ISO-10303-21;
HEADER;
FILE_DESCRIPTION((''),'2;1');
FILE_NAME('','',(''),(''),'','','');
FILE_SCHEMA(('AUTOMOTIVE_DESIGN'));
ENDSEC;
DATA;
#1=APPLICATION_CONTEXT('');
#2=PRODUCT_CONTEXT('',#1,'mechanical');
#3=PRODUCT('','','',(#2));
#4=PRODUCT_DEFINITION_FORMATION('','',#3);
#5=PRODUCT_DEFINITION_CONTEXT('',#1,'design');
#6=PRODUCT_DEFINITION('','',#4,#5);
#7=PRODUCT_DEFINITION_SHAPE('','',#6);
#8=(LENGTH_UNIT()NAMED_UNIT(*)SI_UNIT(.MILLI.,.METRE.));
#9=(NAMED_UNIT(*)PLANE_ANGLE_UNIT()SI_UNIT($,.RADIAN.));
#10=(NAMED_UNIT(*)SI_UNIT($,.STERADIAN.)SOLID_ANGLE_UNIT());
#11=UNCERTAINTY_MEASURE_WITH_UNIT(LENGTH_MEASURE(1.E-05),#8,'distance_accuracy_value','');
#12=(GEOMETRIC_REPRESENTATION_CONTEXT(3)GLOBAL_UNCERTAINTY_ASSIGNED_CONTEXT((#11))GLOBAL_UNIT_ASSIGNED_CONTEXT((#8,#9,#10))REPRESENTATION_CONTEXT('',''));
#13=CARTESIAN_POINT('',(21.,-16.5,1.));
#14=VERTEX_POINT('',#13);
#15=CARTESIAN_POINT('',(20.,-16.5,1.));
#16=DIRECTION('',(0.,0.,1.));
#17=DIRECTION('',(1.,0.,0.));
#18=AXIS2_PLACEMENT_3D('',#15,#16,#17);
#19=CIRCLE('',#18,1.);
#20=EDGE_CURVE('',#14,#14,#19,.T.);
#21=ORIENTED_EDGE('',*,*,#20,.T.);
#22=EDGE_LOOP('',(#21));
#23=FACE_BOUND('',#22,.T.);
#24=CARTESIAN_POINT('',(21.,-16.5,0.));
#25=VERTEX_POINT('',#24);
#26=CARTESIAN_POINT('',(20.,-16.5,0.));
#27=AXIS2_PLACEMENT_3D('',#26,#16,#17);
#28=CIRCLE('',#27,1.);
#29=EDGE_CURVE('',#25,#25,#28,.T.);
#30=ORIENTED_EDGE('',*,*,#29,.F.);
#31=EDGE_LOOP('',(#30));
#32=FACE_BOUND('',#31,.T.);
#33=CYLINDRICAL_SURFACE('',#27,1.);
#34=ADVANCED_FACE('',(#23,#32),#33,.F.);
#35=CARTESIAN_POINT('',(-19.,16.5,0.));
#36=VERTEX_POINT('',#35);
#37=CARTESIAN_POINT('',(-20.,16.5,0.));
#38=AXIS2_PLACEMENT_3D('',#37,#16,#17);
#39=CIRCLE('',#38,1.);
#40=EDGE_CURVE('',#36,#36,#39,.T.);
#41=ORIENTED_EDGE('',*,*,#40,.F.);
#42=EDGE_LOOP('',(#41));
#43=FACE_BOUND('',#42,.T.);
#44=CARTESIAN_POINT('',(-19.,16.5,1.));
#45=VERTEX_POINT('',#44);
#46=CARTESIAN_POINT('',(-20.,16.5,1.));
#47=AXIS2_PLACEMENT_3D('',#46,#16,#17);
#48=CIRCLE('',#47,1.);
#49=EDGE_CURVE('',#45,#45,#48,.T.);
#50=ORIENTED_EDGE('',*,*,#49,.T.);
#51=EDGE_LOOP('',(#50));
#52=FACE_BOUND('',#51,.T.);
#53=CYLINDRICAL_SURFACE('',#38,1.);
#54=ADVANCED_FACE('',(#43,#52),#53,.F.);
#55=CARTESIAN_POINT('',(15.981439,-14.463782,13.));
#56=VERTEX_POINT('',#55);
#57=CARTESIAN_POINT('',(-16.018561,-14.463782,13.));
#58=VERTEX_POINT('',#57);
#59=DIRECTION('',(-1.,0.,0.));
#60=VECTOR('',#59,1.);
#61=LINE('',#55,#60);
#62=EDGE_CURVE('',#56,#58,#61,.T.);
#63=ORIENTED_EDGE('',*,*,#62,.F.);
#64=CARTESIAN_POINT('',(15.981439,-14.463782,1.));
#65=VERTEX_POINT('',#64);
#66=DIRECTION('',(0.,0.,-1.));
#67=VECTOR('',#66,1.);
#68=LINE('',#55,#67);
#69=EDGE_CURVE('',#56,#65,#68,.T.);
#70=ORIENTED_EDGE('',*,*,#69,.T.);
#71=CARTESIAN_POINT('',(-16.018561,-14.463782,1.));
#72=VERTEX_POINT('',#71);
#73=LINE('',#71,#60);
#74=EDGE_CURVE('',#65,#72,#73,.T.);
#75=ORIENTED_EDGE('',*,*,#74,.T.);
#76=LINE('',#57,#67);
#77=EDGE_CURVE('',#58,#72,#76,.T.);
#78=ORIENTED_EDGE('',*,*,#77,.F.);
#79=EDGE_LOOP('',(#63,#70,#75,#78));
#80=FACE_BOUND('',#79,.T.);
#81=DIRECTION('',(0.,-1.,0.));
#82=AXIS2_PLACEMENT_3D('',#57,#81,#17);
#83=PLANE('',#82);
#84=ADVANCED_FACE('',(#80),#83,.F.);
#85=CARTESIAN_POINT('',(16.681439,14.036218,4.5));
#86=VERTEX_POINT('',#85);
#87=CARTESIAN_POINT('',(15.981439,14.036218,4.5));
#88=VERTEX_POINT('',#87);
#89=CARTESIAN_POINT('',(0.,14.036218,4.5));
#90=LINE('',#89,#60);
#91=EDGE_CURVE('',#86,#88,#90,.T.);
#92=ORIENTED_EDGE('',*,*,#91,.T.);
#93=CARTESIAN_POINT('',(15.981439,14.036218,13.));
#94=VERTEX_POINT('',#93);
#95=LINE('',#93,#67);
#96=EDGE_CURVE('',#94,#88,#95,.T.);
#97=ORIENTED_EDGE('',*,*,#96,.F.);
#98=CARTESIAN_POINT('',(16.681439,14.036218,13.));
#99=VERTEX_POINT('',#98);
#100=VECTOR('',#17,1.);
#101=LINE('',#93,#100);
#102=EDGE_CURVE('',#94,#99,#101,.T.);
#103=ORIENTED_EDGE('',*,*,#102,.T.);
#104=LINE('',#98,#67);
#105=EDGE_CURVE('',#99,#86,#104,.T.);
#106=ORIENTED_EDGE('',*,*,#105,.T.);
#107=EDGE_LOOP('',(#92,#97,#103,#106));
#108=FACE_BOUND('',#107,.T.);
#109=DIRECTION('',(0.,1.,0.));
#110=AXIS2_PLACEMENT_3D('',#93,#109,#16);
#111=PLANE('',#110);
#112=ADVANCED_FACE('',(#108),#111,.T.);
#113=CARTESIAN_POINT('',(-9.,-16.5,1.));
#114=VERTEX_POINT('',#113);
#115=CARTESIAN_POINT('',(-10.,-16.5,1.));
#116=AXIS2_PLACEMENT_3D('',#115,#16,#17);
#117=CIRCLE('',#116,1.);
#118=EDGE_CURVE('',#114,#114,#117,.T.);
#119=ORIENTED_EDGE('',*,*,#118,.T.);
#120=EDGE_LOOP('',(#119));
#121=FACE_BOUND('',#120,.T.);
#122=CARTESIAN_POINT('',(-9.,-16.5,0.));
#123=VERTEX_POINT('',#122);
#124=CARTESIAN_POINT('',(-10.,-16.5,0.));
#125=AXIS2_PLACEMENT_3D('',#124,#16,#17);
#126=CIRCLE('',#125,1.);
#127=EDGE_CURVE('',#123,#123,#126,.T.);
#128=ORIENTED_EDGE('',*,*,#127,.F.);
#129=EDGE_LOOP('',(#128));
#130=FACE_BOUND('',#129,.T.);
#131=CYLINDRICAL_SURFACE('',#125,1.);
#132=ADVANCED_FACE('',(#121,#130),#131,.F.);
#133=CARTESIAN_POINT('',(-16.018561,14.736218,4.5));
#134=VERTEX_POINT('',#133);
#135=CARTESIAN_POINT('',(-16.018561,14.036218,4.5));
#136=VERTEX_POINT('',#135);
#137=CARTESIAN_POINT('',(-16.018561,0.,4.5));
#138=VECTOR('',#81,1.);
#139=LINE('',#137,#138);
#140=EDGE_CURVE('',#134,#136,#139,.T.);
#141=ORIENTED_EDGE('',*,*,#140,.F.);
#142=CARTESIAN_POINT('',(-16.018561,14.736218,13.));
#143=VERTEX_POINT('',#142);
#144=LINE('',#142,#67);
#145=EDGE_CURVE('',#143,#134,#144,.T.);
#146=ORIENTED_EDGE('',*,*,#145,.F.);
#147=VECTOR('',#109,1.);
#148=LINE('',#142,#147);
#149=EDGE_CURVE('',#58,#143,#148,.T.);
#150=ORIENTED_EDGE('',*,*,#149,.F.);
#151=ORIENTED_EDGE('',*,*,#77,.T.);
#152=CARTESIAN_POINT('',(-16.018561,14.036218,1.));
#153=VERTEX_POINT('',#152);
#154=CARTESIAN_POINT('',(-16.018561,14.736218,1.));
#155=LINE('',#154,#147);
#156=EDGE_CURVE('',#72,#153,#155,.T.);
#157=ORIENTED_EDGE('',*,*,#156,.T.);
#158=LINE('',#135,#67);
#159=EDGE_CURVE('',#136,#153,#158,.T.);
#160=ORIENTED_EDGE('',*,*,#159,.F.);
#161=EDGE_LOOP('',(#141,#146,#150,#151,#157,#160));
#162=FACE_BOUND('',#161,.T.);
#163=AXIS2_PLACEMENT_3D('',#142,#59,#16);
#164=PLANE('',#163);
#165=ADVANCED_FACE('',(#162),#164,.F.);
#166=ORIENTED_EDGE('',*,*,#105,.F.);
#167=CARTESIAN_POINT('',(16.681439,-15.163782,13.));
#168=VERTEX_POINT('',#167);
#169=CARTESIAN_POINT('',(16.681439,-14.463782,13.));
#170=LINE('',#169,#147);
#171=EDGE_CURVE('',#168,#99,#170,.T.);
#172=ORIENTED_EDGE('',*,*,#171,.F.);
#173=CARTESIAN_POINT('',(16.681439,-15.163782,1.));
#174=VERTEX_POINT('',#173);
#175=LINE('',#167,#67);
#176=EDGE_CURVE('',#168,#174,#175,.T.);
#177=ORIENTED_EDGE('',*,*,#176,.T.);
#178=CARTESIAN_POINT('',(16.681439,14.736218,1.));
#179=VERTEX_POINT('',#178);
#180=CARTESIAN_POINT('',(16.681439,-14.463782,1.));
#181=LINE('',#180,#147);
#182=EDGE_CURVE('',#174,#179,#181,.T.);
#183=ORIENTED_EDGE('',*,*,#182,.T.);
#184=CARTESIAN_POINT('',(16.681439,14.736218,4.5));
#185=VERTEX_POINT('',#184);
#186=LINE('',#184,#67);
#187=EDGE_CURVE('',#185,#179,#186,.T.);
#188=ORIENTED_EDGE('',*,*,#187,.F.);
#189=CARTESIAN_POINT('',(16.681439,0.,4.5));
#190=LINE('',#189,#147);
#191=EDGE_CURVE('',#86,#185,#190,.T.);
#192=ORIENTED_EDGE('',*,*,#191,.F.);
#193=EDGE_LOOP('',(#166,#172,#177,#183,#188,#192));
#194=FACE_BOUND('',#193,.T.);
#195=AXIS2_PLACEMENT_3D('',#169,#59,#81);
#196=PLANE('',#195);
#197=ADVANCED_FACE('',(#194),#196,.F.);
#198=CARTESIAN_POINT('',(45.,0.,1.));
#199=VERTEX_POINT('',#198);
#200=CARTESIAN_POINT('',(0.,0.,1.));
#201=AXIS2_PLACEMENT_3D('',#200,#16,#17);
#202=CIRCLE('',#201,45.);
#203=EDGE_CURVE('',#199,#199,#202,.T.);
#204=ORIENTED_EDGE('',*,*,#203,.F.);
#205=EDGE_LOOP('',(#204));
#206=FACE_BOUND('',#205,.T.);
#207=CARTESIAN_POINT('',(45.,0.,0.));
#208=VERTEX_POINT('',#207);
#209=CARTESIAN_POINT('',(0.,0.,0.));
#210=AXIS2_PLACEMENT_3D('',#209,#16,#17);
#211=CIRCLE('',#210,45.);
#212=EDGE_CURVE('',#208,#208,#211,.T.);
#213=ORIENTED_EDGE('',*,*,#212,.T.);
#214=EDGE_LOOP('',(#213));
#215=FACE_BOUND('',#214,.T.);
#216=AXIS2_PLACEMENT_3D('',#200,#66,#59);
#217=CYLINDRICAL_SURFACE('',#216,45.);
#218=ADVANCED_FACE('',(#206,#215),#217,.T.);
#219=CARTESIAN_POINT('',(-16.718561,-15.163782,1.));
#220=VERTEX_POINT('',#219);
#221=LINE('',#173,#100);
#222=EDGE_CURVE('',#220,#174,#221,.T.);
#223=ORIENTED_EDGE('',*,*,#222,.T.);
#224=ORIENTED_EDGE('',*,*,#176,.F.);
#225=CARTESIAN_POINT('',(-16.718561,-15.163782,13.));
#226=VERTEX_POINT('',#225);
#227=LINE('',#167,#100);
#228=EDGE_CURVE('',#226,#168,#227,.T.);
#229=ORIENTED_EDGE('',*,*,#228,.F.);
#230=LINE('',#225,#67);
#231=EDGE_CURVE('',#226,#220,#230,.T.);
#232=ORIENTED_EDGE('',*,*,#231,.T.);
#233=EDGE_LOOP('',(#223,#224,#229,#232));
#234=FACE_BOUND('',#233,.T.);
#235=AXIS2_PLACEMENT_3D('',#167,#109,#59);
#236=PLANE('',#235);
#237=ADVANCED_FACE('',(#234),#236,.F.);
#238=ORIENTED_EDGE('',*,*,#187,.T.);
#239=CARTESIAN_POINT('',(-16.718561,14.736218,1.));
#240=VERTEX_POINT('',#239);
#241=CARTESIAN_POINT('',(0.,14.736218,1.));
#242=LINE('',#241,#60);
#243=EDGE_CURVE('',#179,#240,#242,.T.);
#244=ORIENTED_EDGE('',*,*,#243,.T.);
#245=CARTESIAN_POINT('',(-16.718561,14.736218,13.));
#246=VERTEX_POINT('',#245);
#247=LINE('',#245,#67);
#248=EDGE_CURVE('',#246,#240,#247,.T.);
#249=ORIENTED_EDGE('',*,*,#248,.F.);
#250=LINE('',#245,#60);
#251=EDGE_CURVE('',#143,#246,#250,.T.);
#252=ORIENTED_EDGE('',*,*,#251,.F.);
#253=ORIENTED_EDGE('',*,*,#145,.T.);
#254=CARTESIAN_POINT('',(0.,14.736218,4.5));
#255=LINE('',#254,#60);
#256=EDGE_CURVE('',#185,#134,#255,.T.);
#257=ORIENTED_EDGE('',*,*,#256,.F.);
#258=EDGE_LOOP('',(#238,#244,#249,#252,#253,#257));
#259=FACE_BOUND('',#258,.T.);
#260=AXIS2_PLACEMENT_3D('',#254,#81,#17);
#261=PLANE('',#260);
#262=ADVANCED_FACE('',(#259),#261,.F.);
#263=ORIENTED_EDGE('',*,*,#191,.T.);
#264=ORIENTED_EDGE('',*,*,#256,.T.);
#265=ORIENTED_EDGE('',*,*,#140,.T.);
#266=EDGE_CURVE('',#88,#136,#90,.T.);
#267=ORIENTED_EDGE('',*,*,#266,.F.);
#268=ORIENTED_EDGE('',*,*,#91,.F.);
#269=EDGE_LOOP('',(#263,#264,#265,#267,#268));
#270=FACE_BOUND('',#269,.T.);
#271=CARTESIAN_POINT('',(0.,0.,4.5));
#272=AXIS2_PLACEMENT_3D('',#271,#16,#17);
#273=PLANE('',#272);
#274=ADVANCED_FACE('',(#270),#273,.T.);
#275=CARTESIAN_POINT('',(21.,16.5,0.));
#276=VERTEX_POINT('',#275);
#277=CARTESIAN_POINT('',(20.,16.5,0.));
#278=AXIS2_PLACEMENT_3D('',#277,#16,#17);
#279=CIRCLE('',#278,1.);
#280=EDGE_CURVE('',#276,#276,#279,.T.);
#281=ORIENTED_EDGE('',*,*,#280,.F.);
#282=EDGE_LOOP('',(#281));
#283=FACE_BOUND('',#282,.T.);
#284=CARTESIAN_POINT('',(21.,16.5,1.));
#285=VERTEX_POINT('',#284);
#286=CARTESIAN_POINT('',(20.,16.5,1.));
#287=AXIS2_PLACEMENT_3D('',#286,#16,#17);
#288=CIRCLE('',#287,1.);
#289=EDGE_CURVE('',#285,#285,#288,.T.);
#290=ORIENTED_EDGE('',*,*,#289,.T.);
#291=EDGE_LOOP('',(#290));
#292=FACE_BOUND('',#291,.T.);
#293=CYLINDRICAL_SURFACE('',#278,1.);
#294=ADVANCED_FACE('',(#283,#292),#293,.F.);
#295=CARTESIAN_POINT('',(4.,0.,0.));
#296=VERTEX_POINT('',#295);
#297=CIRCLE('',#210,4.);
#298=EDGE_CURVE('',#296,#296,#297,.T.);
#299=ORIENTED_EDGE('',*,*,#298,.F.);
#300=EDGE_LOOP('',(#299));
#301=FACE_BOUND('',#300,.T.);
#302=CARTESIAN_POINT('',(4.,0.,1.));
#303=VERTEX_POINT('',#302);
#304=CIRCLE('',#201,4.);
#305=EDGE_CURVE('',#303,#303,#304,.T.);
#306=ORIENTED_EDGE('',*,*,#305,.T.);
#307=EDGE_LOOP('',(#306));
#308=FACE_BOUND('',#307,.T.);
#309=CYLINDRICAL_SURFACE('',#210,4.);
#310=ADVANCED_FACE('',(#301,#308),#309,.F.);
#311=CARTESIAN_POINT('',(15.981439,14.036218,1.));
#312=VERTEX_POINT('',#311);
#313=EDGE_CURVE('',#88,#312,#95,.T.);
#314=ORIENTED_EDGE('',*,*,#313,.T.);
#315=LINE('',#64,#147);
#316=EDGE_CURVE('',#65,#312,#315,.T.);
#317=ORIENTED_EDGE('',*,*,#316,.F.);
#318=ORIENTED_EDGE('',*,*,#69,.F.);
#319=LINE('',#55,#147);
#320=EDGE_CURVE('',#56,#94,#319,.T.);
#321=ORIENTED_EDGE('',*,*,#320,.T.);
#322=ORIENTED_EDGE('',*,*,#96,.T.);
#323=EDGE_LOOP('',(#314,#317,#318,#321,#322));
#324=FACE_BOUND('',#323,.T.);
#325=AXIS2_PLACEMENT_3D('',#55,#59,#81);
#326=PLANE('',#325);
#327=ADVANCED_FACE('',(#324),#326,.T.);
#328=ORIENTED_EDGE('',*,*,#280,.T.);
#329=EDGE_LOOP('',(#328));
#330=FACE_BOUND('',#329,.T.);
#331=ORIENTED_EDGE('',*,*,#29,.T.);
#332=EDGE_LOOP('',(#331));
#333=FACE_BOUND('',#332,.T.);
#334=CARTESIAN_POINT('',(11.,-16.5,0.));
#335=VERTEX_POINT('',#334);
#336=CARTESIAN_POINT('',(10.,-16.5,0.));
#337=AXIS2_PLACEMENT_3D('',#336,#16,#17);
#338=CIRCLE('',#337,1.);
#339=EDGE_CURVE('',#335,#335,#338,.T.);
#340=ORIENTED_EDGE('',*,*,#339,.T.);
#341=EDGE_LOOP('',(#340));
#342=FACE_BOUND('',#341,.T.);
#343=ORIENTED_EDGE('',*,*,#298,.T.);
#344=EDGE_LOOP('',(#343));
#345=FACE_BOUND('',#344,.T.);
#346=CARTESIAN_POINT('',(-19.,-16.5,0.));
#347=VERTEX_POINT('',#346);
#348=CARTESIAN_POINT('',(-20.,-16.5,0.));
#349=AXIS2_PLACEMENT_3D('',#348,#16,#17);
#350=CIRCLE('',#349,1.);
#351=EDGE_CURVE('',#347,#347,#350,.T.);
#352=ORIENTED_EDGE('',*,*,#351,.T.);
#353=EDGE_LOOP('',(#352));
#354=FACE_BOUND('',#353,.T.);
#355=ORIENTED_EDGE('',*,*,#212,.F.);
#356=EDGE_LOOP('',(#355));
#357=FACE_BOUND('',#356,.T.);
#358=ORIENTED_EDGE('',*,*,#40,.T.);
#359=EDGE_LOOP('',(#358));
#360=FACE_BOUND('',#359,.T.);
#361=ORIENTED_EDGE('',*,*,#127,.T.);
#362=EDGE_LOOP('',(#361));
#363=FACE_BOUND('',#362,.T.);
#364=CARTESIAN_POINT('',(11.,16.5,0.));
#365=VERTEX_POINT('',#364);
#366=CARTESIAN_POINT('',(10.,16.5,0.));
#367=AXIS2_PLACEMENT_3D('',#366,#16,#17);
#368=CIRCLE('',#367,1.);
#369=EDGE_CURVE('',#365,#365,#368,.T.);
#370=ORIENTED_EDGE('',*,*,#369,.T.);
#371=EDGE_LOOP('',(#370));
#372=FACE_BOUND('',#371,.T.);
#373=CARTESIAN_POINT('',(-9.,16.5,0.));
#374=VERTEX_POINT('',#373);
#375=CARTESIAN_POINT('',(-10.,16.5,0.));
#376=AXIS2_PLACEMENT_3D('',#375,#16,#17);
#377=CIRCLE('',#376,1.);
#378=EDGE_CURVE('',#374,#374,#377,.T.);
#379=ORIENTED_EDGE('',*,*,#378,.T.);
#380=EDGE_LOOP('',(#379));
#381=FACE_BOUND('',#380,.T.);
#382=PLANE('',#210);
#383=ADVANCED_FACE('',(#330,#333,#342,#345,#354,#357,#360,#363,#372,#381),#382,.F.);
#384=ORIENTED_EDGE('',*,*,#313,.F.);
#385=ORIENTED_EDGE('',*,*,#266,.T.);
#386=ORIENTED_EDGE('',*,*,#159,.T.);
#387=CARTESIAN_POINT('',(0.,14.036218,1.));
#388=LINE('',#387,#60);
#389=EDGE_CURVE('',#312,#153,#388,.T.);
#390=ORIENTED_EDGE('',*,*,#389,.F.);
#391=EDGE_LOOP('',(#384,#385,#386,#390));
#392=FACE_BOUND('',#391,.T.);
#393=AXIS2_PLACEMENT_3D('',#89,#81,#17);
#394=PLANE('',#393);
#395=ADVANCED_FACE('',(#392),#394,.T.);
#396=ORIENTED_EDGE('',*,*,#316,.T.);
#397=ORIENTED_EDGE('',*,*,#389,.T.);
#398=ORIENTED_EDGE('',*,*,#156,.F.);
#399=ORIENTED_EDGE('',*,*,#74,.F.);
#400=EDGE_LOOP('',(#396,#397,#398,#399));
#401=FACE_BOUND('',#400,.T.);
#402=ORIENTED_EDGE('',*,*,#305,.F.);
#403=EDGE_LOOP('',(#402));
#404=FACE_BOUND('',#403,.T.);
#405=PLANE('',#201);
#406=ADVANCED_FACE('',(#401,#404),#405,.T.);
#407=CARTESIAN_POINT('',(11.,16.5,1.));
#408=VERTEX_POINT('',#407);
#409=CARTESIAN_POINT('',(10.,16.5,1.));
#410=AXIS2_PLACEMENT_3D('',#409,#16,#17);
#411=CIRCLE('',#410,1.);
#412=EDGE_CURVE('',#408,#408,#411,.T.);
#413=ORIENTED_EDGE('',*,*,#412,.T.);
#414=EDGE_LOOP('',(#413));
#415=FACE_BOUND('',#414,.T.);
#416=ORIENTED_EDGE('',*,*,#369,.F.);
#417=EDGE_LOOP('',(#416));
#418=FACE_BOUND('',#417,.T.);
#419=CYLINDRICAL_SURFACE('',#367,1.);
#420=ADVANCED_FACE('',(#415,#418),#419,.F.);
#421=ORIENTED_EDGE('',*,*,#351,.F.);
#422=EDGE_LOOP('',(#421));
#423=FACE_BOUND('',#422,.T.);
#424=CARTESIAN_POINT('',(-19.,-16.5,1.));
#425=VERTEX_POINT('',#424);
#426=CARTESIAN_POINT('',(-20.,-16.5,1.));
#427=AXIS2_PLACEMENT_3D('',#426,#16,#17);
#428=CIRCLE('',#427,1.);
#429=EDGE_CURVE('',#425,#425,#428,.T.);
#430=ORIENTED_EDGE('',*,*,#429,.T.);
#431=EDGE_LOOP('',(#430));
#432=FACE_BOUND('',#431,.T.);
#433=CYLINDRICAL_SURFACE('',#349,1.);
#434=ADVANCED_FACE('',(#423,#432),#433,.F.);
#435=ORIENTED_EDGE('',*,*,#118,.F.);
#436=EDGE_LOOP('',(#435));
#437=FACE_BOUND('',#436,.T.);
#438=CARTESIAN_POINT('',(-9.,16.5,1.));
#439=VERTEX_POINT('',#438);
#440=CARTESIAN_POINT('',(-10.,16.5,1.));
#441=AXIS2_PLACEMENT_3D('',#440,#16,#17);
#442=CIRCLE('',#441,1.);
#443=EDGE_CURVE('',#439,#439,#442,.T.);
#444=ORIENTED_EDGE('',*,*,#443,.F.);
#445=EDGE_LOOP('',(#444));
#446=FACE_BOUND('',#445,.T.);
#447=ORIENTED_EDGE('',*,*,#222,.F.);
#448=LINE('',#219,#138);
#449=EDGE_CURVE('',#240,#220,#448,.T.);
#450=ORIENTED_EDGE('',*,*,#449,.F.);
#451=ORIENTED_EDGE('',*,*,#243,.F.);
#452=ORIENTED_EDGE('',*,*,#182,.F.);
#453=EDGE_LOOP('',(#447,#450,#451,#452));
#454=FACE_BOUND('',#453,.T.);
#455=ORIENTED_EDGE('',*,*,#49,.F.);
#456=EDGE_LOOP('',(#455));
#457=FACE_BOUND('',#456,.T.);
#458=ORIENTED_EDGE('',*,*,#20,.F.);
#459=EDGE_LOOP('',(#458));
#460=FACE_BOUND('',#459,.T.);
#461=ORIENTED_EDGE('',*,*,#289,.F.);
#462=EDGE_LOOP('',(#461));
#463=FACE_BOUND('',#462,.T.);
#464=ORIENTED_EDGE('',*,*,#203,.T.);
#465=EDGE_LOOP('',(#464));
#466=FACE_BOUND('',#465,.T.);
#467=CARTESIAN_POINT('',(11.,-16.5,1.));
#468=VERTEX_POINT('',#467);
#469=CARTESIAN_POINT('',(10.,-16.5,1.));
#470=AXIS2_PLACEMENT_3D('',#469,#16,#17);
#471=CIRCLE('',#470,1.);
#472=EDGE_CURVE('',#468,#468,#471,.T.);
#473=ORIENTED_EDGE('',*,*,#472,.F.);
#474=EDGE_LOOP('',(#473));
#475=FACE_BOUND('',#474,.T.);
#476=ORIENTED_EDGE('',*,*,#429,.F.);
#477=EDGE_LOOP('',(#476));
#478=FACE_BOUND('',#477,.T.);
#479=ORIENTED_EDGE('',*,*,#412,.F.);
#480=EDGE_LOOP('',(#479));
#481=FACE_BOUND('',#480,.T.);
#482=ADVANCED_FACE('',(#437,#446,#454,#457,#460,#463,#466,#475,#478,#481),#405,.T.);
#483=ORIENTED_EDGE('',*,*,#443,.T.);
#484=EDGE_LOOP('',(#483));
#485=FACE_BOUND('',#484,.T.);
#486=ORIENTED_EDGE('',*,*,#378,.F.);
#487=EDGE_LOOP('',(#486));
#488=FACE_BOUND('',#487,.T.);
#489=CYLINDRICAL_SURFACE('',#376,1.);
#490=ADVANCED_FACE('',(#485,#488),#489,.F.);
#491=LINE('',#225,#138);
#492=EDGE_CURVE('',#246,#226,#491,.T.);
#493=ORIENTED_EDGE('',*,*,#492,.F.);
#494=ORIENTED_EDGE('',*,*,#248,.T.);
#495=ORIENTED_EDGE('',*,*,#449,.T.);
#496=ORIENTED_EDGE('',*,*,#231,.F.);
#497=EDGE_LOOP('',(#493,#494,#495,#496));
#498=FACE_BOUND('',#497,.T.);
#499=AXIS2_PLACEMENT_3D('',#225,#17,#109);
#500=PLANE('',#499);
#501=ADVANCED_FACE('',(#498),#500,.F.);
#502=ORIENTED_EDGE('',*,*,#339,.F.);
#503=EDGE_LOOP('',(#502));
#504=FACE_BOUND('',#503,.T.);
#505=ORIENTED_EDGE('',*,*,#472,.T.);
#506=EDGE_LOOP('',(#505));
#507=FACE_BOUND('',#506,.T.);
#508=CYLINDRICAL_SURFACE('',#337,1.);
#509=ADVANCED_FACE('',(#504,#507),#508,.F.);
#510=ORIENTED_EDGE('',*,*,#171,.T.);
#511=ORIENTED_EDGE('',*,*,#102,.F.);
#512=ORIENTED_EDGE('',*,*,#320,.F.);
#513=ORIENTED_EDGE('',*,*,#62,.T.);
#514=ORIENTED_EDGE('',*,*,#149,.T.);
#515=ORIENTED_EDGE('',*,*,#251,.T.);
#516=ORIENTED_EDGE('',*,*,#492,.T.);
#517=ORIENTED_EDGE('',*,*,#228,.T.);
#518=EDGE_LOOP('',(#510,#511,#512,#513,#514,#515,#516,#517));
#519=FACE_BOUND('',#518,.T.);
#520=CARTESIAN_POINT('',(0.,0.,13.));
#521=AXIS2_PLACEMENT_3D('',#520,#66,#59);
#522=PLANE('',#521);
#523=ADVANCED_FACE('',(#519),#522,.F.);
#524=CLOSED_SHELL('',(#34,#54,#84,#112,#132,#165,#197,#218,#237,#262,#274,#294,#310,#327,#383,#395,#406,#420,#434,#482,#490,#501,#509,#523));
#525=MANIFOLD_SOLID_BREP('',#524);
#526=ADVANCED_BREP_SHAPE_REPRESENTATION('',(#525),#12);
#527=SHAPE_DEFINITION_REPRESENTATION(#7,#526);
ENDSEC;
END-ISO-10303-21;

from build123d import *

# Parameters (mm, degrees)
SKETCH_1_R          = 45
EXTRUDE_1_DEPTH     = 1
SKETCH_2_R          = 1
CUT_EXTRUDE_1_DEPTH = 64.647466564
SKETCH_4_R          = 4
CUT_EXTRUDE_2_DEPTH = 64.647466564
SKETCH_5_W          = 0.7
SKETCH_5_H          = 28.5
EXTRUDE_2_DEPTH     = 12
EXTRUDE_2_2_DEPTH   = 3.5
EXTRUDE_3_DEPTH     = 12


with BuildPart() as part:
    # 草图1 → 凸台-拉伸1 (new body)
    with BuildSketch(Plane.XY):
        Circle(SKETCH_1_R)
    extrude(amount=EXTRUDE_1_DEPTH)

    # 草图2 → 切除-拉伸1 (cut, through all)
    with BuildSketch(Plane.XY.offset(1)):
        with Locations((20, -16.5)):
            Circle(SKETCH_2_R)
        with Locations((20, 16.5)):
            Circle(SKETCH_2_R)
        with Locations((-20, 16.5)):
            Circle(SKETCH_2_R)
        with Locations((-20, -16.5)):
            Circle(SKETCH_2_R)
        with Locations((10, -16.5)):
            Circle(SKETCH_2_R)
        with Locations((10, 16.5)):
            Circle(SKETCH_2_R)
        with Locations((-10, 16.5)):
            Circle(SKETCH_2_R)
        with Locations((-10, -16.5)):
            Circle(SKETCH_2_R)
    extrude(amount=-CUT_EXTRUDE_1_DEPTH, mode=Mode.SUBTRACT)

    # 草图4 → 切除-拉伸2 (cut, through all)
    with BuildSketch(Plane.XY.offset(1)):
        Circle(SKETCH_4_R)
    extrude(amount=-CUT_EXTRUDE_2_DEPTH, mode=Mode.SUBTRACT)

    # 草图5 → Extrude 2 (add)
    with BuildSketch(Plane.XY.offset(1)):
        with Locations((16.331438859, -0.213782194)):
            Rectangle(SKETCH_5_W, SKETCH_5_H)
    extrude(amount=EXTRUDE_2_DEPTH)

    # 草图9 → Extrude 2 2 (add)
    with BuildSketch(Plane.XY.offset(1)):
        Polygon((16.681438859, 14.736217806), (-16.018561141, 14.736217806), (-16.018561141, 14.036217806), (15.981438859, 14.036217806), (16.681438859, 14.036217806), align=None)
    extrude(amount=EXTRUDE_2_2_DEPTH)

    # 草图10 → 凸台-拉伸3 (add)
    with BuildSketch(Plane.XY.offset(1)):
        Polygon((16.681438859, -14.463782194), (16.681438859, -15.163782194), (-16.718561141, -15.163782194), (-16.718561141, 14.736217806), (-16.018561141, 14.736217806), (-16.018561141, -14.463782194), (15.981438859, -14.463782194), align=None)
    extrude(amount=EXTRUDE_3_DEPTH)


solid = part.part
